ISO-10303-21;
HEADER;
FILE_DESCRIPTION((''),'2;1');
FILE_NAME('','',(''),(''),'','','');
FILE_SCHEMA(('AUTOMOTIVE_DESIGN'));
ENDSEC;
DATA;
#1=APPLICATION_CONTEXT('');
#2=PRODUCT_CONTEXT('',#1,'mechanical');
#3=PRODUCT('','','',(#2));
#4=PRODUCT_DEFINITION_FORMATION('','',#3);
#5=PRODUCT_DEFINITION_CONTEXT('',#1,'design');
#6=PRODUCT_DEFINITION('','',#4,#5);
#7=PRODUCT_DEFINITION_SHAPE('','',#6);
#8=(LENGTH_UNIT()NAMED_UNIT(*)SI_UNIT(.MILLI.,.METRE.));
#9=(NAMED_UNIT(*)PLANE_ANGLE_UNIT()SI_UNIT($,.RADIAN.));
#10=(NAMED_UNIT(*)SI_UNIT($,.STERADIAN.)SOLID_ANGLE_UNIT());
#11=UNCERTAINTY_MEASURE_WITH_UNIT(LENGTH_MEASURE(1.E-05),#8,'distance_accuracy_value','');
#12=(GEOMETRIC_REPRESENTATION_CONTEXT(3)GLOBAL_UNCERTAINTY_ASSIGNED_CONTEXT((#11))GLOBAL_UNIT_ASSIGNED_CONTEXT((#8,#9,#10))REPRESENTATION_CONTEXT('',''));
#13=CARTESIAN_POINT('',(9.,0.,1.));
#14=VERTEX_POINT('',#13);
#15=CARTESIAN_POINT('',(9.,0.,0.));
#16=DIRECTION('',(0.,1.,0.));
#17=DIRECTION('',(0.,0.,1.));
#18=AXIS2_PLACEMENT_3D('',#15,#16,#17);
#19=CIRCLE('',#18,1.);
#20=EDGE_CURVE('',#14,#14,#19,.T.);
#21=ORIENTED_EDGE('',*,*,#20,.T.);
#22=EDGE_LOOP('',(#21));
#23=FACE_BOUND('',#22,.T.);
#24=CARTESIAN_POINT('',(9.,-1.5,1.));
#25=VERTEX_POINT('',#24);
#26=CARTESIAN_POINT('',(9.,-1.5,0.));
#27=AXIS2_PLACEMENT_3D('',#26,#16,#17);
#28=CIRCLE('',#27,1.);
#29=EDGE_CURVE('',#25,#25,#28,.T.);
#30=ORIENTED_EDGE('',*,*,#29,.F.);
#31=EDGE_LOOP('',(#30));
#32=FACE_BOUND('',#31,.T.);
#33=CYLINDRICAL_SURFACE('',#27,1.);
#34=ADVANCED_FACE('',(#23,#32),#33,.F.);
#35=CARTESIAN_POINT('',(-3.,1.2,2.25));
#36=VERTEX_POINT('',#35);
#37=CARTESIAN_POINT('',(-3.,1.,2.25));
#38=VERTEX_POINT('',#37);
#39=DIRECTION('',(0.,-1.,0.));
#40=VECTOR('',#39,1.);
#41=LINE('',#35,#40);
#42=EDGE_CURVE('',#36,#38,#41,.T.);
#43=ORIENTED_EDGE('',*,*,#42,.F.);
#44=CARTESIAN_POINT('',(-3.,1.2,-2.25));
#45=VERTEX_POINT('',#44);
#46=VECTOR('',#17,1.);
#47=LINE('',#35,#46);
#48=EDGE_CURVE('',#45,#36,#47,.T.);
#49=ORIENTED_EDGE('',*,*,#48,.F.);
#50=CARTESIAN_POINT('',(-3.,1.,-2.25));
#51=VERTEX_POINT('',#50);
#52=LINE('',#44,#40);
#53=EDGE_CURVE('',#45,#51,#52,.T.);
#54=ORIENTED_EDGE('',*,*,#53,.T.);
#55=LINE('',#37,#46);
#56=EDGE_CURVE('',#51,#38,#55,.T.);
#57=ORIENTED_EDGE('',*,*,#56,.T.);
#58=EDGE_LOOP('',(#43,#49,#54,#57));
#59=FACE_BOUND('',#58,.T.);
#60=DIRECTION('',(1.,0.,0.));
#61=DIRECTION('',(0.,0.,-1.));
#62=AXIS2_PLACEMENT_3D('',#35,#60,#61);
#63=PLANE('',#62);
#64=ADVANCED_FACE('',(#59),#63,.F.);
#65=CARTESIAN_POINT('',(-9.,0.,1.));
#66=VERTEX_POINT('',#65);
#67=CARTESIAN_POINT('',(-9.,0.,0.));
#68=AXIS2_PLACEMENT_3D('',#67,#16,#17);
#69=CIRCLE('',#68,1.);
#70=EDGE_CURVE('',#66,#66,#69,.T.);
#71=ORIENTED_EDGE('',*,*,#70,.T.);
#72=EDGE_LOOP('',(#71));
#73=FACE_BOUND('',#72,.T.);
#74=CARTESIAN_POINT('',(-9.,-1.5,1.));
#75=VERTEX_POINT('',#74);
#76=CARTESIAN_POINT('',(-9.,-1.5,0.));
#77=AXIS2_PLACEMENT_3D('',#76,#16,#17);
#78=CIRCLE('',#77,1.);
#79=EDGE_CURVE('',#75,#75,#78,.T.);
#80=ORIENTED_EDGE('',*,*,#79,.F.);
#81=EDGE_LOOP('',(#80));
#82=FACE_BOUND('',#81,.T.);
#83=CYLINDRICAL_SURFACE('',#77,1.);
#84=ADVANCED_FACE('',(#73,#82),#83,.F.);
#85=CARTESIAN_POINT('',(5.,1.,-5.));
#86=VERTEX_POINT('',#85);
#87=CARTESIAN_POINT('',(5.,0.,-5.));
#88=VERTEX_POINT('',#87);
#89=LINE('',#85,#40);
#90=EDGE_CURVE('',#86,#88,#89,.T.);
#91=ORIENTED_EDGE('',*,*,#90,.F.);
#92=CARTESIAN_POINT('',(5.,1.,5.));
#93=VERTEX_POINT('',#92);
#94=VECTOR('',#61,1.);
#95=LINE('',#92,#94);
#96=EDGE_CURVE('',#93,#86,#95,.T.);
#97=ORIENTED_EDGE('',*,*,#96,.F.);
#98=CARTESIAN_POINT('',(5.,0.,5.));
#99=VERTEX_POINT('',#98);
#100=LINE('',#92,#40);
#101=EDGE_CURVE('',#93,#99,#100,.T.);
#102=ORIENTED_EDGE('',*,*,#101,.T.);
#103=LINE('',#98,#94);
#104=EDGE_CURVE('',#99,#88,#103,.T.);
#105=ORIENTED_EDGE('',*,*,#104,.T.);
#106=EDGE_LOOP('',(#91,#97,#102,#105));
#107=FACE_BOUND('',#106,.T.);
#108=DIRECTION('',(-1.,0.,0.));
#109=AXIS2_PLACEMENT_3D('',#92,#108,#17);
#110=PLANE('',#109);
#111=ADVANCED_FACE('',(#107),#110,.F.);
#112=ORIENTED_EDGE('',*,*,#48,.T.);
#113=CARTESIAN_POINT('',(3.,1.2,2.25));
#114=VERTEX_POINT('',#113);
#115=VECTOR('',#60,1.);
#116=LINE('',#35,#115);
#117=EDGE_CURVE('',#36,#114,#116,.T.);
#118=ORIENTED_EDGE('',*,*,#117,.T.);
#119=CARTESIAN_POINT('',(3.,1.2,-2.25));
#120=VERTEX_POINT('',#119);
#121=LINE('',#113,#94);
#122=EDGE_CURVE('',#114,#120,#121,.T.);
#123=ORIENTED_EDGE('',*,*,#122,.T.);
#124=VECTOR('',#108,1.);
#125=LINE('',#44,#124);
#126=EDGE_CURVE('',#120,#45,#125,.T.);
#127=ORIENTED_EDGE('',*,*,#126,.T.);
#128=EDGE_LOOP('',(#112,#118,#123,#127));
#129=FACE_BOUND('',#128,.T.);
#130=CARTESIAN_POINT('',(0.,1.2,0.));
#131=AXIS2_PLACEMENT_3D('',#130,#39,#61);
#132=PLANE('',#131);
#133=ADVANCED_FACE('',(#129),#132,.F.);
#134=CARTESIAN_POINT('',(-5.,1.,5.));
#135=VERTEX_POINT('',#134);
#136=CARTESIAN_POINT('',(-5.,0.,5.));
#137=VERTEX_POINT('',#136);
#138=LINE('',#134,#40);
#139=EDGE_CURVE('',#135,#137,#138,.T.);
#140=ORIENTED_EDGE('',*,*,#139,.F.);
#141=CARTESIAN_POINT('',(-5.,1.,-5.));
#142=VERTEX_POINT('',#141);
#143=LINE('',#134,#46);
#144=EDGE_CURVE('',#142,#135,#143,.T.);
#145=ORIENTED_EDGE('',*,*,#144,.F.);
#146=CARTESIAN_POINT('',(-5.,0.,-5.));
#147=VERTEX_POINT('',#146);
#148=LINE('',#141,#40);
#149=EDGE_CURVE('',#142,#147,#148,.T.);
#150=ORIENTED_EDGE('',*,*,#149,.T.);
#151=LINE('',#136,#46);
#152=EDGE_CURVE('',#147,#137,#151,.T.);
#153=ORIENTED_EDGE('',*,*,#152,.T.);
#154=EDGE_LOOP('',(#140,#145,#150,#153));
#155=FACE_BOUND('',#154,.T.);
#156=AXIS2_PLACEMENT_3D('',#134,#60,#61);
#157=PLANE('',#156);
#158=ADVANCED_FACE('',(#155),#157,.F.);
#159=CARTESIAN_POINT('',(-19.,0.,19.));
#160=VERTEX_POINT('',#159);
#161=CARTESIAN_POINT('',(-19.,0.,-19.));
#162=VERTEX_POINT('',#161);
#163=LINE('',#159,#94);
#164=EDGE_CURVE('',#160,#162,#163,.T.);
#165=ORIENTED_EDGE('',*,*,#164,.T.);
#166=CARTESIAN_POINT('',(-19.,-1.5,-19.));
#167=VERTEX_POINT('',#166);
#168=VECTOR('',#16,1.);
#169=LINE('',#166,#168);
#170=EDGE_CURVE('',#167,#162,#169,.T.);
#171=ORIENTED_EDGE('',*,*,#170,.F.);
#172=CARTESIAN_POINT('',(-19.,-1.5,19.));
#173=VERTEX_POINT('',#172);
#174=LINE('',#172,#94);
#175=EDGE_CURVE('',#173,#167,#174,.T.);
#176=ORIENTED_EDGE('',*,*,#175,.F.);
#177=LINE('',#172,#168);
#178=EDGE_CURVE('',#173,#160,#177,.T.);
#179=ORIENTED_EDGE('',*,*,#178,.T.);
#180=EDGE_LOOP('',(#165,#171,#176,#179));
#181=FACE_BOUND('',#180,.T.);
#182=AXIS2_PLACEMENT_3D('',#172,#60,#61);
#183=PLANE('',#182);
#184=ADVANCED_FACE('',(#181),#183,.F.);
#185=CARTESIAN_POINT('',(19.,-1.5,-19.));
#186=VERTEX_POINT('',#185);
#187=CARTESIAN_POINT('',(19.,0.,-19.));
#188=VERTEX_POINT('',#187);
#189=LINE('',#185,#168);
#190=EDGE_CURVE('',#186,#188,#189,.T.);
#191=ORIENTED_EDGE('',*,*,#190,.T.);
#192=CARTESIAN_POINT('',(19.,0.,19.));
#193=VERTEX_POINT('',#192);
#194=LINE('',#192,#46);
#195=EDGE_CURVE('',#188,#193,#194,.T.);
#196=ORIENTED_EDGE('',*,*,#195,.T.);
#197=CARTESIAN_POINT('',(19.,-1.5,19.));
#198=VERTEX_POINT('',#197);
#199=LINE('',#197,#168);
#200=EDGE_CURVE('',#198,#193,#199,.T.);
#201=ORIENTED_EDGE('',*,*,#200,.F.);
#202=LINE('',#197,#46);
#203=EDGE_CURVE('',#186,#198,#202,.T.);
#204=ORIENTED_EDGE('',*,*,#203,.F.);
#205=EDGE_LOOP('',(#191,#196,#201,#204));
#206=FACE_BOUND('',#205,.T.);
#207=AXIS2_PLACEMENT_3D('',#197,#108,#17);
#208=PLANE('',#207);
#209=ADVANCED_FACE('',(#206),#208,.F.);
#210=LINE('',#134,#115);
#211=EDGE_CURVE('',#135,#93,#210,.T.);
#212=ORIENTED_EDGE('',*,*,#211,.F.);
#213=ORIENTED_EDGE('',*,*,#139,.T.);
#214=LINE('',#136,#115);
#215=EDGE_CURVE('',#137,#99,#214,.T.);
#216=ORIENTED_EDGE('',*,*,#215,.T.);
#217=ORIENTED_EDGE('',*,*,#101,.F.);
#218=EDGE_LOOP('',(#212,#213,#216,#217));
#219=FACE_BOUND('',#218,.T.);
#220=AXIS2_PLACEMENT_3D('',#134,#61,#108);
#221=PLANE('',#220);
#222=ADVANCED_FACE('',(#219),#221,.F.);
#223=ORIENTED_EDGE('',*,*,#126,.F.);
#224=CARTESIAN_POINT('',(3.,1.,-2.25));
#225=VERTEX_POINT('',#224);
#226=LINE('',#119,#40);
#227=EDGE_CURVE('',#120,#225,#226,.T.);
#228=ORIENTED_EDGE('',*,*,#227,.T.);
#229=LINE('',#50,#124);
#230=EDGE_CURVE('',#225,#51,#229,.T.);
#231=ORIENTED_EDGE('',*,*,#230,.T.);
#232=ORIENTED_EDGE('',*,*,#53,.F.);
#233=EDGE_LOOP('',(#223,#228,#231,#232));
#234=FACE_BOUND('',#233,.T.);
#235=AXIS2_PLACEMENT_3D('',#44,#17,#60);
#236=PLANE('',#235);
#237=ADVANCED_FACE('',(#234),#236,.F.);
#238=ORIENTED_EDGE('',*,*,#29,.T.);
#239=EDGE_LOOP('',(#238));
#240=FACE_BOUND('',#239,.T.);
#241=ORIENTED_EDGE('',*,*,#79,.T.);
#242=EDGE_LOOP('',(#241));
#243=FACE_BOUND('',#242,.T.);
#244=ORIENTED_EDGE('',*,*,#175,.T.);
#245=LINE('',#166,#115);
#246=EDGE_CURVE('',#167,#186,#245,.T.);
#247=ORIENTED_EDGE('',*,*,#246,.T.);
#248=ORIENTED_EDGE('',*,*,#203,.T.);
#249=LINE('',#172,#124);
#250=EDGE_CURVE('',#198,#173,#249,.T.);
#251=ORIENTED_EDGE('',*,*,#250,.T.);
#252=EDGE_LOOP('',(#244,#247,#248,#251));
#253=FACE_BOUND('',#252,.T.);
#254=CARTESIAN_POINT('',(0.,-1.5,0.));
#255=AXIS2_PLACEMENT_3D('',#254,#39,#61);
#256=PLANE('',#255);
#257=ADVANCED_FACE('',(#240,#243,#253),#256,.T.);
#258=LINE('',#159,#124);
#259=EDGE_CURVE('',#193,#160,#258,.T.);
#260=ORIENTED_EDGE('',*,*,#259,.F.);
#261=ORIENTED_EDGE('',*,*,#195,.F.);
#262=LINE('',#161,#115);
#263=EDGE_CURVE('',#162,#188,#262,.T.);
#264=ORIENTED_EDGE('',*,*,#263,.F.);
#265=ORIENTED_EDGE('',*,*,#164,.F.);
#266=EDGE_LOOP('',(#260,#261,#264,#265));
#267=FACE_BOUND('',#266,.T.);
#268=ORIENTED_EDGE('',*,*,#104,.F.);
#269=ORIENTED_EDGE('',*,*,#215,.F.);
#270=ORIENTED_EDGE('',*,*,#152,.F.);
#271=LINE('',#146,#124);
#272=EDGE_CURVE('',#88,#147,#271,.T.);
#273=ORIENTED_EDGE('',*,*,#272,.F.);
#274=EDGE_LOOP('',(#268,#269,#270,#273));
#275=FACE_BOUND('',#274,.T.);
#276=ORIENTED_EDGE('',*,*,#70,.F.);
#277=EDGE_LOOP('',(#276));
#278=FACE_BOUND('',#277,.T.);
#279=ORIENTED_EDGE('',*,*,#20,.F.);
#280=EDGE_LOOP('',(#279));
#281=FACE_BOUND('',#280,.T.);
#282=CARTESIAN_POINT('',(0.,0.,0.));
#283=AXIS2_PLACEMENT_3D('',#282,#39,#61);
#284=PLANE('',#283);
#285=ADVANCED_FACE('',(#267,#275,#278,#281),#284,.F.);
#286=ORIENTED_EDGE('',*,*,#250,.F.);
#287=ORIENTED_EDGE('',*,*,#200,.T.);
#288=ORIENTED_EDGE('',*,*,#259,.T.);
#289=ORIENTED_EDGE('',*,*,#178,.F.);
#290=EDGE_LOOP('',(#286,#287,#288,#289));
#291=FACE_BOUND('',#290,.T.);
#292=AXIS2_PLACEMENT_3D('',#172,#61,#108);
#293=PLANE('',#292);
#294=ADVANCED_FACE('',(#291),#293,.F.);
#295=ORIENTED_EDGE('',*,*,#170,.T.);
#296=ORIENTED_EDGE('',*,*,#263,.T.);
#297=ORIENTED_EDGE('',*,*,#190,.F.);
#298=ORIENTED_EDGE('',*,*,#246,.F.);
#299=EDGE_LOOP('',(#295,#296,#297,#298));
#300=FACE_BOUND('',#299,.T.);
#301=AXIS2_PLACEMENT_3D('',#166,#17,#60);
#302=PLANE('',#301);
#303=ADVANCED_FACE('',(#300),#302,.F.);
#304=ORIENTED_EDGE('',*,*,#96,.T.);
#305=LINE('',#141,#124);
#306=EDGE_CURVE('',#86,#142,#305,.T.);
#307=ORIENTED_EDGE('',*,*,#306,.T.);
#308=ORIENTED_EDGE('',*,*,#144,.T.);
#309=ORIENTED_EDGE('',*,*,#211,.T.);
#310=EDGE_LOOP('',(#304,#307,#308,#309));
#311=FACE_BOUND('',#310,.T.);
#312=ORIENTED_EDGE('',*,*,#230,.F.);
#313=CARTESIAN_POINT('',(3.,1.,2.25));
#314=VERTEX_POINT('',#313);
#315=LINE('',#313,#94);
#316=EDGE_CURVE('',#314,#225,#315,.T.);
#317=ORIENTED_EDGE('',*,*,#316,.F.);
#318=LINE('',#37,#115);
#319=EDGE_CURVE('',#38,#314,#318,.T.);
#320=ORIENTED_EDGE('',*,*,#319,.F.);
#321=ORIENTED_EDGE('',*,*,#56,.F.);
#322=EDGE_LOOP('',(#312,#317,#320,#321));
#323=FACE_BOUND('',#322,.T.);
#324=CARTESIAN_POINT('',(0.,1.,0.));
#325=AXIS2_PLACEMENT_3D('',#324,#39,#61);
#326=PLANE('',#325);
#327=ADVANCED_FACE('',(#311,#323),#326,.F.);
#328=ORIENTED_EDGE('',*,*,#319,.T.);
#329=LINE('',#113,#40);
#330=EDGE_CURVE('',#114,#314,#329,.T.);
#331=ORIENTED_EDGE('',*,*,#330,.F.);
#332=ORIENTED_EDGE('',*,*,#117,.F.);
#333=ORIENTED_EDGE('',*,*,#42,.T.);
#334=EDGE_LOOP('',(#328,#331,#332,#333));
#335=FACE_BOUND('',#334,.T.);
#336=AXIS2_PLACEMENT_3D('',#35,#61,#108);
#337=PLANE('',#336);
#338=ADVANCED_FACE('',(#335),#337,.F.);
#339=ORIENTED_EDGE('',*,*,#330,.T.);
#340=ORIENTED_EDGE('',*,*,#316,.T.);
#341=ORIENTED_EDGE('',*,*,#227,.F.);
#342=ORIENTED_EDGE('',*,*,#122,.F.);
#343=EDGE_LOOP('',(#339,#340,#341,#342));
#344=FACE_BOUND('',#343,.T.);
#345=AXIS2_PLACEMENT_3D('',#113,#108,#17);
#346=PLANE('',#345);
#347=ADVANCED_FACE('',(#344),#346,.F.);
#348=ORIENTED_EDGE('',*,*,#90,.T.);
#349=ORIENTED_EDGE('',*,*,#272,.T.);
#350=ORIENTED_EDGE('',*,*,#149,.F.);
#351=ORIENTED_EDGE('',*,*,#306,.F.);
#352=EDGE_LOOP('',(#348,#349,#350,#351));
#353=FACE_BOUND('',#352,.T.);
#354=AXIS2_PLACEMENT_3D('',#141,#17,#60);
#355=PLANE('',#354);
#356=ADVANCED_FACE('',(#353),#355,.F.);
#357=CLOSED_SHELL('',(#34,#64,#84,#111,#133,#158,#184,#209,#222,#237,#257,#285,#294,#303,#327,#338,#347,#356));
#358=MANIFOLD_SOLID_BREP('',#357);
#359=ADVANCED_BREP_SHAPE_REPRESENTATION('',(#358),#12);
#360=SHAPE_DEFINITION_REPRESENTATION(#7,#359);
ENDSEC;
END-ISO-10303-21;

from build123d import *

# Parameters (mm, degrees)
SKETCH_1_W          = 10
SKETCH_1_H          = 10
EXTRUDE_1_DEPTH     = 1
SKETCH_2_W          = 6
SKETCH_2_H          = 4.5
EXTRUDE_2_DEPTH     = 0.2
SKETCH_3_W          = 38
SKETCH_3_H          = 38
EXTRUDE_3_DEPTH     = 1.5
SKETCH_4_R          = 1
CUT_EXTRUDE_2_DEPTH = 27.911893282


with BuildPart() as part:
    # 草图1 → 凸台-拉伸1 (new body)
    with BuildSketch(Plane(origin=(0, 0, 0), x_dir=(1, 0, 0), z_dir=(0, 1, 0))):
        Rectangle(SKETCH_1_W, SKETCH_1_H)
    extrude(amount=EXTRUDE_1_DEPTH)

    # 草图2 → 凸台-拉伸2 (add)
    with BuildSketch(Plane(origin=(0, 1, 0), x_dir=(1, 0, 0), z_dir=(0, 1, 0))):
        Rectangle(SKETCH_2_W, SKETCH_2_H)
    extrude(amount=EXTRUDE_2_DEPTH)

    # 草图3 → 凸台-拉伸3 (add)
    with BuildSketch(Plane.XZ):
        Rectangle(SKETCH_3_W, SKETCH_3_H)
    extrude(amount=EXTRUDE_3_DEPTH)

    # 草图4 → 切除-拉伸2 (cut, through all)
    with BuildSketch(Plane(origin=(0, 0, 0), x_dir=(1, 0, 0), z_dir=(0, 1, 0))):
        with Locations((9, 0)):
            Circle(SKETCH_4_R)
        with Locations((-9, 0)):
            Circle(SKETCH_4_R)
    extrude(amount=-CUT_EXTRUDE_2_DEPTH, mode=Mode.SUBTRACT)


solid = part.part
